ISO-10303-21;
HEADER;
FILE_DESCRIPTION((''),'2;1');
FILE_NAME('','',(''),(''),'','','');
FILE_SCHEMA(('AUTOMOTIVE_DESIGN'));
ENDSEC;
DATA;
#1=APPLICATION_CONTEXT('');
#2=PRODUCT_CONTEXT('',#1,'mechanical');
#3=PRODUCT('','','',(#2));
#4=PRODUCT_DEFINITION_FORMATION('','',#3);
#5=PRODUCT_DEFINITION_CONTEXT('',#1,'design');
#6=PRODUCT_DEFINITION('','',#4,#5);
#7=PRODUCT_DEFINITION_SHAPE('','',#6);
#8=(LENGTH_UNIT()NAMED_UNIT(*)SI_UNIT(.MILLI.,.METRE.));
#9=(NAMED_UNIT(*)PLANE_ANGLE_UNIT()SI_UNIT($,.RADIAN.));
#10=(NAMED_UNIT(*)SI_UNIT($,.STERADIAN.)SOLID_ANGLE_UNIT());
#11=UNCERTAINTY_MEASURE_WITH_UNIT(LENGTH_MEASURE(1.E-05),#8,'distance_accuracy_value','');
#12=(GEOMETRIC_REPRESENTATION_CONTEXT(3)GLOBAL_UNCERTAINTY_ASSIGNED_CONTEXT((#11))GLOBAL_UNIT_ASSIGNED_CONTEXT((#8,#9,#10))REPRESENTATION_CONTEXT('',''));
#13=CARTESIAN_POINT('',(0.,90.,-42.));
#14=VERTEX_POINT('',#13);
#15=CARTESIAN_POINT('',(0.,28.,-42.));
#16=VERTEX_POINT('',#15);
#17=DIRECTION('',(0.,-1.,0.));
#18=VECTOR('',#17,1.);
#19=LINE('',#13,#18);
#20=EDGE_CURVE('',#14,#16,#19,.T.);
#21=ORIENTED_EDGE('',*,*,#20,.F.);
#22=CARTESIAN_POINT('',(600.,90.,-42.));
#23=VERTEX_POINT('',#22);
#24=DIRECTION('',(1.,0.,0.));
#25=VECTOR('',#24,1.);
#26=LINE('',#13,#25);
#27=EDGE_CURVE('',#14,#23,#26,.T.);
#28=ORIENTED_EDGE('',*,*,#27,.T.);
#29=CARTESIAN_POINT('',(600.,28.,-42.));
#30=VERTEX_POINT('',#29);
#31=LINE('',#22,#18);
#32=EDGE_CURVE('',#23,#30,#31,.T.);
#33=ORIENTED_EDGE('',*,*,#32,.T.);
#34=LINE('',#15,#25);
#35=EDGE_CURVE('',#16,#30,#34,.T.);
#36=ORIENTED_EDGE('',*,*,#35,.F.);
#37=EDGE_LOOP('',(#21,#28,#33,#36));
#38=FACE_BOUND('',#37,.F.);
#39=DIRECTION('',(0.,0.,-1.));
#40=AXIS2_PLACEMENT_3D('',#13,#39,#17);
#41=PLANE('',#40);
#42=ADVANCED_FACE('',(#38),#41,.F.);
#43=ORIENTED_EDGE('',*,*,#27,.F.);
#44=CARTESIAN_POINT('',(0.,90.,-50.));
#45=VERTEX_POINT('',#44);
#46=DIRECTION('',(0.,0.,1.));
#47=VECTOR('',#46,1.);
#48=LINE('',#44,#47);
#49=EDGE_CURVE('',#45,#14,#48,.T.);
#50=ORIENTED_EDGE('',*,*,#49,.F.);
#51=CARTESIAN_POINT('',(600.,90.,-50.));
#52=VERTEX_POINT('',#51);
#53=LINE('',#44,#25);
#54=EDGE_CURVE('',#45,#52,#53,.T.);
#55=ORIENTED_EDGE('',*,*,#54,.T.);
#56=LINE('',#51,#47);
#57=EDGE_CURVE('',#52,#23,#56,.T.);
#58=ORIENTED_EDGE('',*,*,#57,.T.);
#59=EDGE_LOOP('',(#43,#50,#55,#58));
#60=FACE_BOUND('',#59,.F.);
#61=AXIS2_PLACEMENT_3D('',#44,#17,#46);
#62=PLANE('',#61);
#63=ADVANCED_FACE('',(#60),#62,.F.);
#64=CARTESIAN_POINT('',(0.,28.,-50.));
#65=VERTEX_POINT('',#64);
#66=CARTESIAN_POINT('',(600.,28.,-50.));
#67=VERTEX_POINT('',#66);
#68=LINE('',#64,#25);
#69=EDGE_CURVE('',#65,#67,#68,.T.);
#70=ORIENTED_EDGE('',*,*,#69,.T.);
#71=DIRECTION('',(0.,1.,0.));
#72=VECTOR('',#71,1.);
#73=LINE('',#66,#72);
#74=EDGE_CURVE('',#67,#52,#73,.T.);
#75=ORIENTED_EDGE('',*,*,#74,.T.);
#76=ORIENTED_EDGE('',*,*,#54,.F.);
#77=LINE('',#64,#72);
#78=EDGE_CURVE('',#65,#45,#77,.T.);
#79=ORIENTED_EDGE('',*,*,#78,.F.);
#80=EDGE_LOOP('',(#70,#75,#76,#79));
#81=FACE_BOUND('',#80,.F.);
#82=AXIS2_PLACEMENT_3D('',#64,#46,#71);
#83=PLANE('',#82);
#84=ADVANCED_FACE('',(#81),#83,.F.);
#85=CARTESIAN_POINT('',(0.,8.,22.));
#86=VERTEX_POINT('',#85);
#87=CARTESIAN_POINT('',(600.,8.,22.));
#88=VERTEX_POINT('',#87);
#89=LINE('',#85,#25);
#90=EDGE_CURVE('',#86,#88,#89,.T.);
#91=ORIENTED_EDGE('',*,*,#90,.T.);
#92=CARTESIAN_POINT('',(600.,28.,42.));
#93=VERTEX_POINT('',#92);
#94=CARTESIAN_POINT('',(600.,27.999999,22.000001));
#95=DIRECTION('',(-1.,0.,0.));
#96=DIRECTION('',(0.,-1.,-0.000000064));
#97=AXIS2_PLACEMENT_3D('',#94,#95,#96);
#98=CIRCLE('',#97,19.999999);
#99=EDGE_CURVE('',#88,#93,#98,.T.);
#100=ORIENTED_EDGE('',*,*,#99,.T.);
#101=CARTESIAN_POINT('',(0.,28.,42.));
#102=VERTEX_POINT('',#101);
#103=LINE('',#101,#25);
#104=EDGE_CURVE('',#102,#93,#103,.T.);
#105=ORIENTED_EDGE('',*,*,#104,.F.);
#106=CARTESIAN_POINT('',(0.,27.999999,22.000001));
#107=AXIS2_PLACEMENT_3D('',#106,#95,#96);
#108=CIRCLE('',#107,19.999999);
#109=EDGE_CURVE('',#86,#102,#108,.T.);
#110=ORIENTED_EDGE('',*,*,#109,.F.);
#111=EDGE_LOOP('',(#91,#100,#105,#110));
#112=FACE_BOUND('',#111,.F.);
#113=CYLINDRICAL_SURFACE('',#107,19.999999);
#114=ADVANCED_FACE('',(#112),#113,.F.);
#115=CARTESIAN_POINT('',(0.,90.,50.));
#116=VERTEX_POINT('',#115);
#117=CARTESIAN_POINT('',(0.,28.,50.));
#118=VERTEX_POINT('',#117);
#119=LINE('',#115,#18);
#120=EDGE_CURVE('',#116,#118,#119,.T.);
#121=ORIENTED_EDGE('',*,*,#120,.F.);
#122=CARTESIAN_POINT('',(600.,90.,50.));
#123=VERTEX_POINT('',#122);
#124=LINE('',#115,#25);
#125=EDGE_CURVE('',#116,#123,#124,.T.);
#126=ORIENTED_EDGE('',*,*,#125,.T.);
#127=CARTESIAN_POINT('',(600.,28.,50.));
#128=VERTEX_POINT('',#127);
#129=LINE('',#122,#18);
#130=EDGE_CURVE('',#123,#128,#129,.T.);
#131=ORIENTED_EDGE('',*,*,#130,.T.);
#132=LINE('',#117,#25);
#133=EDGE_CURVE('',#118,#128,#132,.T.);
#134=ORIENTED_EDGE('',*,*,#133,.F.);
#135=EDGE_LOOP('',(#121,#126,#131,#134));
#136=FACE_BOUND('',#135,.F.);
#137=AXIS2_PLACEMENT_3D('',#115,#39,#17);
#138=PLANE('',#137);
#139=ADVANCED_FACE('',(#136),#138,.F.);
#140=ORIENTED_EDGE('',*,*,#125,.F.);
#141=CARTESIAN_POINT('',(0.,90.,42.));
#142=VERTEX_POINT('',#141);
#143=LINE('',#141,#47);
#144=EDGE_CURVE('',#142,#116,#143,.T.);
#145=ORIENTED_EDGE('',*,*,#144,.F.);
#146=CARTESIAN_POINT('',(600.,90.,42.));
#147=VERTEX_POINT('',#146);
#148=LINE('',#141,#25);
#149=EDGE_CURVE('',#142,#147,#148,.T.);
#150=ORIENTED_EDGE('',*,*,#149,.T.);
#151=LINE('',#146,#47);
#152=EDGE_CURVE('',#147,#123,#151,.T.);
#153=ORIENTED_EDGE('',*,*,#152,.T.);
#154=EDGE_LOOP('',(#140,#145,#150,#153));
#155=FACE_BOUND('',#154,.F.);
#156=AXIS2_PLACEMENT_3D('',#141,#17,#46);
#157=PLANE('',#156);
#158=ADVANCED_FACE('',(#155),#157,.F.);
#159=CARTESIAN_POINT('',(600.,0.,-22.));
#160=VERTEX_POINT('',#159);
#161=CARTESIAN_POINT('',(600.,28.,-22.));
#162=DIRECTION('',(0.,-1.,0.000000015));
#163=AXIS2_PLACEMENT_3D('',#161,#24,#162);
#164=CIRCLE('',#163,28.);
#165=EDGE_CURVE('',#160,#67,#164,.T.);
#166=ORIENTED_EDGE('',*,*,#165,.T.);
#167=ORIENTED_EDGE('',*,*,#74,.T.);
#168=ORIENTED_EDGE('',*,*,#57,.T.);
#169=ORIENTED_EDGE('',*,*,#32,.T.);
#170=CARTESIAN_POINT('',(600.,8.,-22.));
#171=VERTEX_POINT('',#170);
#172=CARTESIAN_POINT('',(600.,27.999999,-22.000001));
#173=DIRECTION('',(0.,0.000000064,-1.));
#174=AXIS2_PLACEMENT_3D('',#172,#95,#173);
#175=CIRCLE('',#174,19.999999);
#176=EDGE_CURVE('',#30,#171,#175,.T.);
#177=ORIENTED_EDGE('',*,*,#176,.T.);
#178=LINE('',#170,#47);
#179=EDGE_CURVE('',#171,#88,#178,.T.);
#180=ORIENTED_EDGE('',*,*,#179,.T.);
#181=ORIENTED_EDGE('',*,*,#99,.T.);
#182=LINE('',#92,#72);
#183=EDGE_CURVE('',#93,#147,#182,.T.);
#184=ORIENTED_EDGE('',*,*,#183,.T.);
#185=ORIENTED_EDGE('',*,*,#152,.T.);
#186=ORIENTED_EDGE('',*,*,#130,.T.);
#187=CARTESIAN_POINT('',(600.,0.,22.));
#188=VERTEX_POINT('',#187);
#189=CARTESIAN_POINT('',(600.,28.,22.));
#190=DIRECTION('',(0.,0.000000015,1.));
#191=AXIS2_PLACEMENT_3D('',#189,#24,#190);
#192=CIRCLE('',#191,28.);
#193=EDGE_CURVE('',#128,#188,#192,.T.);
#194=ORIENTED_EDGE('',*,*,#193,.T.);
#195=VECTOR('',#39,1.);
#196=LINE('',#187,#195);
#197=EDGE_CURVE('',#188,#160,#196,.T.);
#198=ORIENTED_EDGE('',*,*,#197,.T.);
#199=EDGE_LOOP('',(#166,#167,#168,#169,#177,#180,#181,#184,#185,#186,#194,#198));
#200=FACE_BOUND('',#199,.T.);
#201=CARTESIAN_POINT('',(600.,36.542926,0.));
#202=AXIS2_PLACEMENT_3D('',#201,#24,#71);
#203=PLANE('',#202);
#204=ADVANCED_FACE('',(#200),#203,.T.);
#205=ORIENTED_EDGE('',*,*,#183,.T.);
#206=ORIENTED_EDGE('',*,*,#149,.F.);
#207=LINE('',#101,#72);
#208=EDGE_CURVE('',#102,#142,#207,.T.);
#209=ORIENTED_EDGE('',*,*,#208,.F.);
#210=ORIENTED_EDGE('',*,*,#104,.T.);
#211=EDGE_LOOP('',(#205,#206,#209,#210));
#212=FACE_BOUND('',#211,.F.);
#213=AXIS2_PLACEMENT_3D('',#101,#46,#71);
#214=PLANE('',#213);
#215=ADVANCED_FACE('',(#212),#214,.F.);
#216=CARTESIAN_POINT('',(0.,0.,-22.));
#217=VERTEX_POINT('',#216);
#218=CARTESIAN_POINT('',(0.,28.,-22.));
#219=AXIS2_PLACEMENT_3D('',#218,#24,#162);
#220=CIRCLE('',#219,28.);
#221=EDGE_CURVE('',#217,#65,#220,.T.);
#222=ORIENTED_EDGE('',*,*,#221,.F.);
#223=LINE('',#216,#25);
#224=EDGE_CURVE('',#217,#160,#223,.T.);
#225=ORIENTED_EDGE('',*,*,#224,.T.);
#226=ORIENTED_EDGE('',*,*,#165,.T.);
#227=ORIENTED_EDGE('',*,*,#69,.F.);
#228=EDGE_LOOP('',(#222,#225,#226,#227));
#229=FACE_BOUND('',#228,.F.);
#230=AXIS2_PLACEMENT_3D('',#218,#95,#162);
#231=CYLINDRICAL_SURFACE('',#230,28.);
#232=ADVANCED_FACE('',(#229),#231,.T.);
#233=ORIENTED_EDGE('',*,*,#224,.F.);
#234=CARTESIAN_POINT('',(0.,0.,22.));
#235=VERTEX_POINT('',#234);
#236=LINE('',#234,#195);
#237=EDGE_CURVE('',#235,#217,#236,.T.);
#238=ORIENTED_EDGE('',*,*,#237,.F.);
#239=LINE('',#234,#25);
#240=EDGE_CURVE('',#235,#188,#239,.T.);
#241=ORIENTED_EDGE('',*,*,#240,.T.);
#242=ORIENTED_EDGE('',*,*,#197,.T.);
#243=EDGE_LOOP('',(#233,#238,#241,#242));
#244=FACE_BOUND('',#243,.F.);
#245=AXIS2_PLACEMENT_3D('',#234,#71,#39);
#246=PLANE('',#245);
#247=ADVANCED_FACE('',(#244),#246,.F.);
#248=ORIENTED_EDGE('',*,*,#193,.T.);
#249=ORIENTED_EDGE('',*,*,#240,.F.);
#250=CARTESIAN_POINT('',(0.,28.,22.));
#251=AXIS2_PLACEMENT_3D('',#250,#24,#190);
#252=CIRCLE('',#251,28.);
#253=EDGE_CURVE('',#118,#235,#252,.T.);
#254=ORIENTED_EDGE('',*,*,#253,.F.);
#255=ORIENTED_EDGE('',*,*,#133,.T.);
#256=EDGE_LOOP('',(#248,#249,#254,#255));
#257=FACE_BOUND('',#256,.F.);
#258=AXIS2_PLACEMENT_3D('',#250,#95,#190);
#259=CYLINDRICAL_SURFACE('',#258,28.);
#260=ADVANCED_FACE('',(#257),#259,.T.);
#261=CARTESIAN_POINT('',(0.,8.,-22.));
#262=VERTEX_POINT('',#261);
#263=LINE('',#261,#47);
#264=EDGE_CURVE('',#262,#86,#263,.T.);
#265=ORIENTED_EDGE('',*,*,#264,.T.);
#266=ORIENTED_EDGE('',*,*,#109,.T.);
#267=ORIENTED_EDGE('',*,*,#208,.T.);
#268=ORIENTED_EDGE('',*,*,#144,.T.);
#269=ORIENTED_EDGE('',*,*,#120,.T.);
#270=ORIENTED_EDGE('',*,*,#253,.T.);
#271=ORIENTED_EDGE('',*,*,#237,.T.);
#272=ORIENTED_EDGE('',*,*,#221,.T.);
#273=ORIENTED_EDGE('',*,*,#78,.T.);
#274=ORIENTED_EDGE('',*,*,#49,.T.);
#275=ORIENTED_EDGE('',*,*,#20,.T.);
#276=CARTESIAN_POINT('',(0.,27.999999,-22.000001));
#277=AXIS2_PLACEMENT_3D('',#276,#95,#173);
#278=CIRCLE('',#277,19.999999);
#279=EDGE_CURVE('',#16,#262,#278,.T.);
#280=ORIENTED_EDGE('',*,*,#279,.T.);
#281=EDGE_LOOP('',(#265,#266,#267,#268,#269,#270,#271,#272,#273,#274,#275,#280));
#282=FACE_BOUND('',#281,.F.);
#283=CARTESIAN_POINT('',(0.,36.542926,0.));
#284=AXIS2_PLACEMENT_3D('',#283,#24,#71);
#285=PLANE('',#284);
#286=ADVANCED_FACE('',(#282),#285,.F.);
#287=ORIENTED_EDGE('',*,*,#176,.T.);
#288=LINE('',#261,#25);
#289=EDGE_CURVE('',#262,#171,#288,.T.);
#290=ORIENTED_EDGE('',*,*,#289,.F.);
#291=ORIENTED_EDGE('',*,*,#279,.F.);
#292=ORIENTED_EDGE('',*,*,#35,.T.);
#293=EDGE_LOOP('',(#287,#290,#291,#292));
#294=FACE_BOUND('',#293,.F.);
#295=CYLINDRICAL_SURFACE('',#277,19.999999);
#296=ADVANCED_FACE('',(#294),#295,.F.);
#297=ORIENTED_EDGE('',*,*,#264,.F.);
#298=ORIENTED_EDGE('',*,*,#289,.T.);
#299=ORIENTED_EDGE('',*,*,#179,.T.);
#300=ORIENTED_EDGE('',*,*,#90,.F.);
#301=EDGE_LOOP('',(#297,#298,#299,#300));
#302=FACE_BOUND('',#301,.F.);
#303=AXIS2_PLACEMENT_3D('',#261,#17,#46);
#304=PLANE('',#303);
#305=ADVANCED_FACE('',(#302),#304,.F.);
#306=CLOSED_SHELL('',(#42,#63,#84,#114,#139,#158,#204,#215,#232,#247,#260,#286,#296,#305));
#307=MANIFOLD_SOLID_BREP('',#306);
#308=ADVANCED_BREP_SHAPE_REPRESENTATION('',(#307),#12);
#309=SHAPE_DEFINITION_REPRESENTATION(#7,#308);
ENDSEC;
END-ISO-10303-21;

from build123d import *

# Parameters (mm, degrees)
F1_DEPTH = 600


with BuildPart() as f1:
    # F0 (on Right) → F1 (new body)
    with BuildSketch(Plane.YZ):
        with BuildLine():
            Line((90, 42), (90, 50))
            Line((90, 50), (28, 50))
            ThreePointArc((28, 50), (8.20101, 41.79899), (0, 22))
            Line((0, 22), (0, -22))
            ThreePointArc((0, -22), (8.20101, -41.79899), (28, -50))
            Line((28, -50), (90, -50))
            Line((90, -50), (90, -42))
            Line((90, -42), (28, -42))
            ThreePointArc((28, -42), (13.857864, -36.142136), (8, -22))
            Line((8, -22), (8, 22))
            ThreePointArc((8, 22), (13.857864, 36.142136), (28, 42))
            Line((28, 42), (90, 42))
        make_face()
    extrude(amount=F1_DEPTH)


solid = f1.part
